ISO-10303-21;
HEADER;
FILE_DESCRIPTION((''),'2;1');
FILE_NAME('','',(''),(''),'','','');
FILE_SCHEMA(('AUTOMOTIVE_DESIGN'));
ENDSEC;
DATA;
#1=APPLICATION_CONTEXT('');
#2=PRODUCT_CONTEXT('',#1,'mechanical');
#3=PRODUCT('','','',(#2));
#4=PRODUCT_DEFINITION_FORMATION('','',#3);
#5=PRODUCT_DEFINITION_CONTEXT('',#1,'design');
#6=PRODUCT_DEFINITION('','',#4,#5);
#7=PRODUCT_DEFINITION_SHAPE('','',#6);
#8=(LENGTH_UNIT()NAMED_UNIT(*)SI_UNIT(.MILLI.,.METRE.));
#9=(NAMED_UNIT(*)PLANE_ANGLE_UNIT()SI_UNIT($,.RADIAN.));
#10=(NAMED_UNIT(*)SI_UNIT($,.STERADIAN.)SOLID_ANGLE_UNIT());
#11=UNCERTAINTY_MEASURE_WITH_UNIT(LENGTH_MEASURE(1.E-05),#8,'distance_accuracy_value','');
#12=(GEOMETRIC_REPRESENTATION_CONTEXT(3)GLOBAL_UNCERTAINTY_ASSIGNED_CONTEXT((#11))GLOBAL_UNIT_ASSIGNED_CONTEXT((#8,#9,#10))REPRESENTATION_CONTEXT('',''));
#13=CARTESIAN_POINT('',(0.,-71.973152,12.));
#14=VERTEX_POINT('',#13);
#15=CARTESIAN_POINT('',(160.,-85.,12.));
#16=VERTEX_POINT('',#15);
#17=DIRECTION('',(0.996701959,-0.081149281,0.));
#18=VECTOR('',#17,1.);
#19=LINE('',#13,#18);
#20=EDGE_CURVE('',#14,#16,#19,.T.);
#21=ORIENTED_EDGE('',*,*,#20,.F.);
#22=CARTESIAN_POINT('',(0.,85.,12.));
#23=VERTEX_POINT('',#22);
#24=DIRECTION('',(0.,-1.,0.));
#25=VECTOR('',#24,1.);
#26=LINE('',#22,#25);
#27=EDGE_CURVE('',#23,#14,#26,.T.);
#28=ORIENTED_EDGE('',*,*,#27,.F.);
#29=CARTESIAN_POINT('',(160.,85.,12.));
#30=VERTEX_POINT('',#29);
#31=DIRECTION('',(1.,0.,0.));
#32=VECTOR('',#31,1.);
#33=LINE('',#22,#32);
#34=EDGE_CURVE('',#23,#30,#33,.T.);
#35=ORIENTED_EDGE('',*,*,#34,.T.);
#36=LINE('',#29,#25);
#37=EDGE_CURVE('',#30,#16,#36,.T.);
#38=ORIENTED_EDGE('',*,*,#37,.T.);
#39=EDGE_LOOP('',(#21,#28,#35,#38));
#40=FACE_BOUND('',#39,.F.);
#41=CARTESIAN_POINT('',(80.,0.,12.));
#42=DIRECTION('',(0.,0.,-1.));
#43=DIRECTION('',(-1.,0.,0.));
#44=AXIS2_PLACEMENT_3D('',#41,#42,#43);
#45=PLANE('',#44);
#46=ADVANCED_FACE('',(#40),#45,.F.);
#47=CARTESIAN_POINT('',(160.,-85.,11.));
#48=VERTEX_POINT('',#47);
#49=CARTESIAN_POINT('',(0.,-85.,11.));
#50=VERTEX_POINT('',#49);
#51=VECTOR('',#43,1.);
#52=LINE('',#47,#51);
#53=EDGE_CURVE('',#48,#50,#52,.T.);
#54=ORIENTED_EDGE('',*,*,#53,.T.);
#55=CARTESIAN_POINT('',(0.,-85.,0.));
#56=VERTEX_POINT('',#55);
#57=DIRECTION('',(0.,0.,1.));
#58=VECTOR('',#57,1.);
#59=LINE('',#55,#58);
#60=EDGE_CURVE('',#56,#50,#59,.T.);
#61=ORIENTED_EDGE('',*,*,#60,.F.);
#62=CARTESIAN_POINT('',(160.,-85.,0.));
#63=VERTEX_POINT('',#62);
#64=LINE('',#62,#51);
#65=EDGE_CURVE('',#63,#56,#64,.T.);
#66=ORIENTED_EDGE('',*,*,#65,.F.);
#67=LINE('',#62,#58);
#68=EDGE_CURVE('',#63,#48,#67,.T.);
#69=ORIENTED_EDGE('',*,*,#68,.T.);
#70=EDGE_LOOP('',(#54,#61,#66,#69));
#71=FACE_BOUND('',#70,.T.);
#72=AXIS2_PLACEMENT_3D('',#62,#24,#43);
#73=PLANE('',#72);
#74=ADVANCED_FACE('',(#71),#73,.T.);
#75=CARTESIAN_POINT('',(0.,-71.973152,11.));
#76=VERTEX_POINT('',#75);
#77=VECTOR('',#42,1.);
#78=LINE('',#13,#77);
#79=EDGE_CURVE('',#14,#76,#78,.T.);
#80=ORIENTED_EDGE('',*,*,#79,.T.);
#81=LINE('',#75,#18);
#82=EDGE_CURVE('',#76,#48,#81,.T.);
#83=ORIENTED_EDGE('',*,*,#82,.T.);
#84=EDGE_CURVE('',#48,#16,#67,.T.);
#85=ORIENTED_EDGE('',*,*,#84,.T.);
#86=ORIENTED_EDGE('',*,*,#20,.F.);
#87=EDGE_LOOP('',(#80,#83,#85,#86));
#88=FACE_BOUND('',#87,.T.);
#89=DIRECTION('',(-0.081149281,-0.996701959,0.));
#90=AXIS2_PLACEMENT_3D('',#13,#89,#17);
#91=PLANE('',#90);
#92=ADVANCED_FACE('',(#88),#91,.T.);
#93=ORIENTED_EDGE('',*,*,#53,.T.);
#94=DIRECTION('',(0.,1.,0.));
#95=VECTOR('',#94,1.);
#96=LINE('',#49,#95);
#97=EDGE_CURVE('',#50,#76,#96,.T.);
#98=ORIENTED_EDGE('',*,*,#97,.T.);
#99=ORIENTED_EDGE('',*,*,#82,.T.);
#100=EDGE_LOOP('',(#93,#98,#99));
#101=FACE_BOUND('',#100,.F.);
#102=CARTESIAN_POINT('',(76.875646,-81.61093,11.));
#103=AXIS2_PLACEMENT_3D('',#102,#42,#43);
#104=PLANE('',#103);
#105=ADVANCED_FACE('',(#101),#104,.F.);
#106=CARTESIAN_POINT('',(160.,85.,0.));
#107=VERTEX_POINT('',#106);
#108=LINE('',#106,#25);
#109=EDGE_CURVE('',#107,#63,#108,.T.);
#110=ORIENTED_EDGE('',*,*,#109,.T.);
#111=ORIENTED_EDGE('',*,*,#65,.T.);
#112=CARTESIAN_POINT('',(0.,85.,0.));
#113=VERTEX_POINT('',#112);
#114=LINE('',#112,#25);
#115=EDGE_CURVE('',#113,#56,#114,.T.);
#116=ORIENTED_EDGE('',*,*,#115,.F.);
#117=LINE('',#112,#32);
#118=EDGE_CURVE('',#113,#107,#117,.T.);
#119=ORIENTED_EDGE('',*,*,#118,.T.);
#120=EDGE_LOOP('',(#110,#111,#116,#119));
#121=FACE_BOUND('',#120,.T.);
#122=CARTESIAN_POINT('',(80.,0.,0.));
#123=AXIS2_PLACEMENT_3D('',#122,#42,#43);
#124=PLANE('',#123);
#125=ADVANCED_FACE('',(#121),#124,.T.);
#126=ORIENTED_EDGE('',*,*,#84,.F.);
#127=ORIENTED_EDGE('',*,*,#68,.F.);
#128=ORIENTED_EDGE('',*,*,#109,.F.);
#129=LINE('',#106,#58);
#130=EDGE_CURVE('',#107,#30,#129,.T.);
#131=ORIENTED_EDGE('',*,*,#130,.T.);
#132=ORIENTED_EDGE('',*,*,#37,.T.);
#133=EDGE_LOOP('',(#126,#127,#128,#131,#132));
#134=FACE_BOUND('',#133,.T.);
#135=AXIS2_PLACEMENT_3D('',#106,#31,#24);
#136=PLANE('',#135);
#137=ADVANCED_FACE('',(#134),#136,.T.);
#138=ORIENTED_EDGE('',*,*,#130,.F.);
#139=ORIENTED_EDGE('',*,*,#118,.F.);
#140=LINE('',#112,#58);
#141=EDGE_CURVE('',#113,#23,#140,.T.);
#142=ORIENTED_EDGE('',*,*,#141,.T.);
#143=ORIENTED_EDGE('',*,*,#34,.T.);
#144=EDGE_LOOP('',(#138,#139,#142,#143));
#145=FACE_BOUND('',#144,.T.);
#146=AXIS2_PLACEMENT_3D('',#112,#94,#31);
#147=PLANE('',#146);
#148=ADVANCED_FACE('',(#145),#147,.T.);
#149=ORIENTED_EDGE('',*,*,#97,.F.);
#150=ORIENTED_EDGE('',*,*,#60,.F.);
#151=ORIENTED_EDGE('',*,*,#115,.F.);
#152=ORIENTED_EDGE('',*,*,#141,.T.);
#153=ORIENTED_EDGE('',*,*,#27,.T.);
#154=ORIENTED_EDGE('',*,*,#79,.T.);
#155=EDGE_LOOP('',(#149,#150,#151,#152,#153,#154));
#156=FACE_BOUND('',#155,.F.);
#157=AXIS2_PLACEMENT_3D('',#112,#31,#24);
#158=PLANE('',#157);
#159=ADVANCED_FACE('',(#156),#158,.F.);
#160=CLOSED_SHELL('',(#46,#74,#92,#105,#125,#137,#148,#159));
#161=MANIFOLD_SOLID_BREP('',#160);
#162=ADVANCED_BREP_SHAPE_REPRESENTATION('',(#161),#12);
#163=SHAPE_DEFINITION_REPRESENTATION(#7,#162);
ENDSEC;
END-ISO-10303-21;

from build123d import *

# Parameters (mm, degrees)
PAD_DEPTH    = 12
POCKET_DEPTH = 1


with BuildPart() as part:
    # Sketch → Pad (new body)
    with BuildSketch(Plane.XY):
        Polygon((0, 0), (0, 85), (160, 85), (160, -85), (0, -85), align=None)
    extrude(amount=PAD_DEPTH)

    # Sketch002 (on Face7 of Pad) → Pocket (cut)
    with BuildSketch(Plane.XY.offset(12)):
        Polygon((0, -85), (0, -71.973152), (160, -85), align=None)
    extrude(amount=-POCKET_DEPTH, mode=Mode.SUBTRACT)


solid = part.part
